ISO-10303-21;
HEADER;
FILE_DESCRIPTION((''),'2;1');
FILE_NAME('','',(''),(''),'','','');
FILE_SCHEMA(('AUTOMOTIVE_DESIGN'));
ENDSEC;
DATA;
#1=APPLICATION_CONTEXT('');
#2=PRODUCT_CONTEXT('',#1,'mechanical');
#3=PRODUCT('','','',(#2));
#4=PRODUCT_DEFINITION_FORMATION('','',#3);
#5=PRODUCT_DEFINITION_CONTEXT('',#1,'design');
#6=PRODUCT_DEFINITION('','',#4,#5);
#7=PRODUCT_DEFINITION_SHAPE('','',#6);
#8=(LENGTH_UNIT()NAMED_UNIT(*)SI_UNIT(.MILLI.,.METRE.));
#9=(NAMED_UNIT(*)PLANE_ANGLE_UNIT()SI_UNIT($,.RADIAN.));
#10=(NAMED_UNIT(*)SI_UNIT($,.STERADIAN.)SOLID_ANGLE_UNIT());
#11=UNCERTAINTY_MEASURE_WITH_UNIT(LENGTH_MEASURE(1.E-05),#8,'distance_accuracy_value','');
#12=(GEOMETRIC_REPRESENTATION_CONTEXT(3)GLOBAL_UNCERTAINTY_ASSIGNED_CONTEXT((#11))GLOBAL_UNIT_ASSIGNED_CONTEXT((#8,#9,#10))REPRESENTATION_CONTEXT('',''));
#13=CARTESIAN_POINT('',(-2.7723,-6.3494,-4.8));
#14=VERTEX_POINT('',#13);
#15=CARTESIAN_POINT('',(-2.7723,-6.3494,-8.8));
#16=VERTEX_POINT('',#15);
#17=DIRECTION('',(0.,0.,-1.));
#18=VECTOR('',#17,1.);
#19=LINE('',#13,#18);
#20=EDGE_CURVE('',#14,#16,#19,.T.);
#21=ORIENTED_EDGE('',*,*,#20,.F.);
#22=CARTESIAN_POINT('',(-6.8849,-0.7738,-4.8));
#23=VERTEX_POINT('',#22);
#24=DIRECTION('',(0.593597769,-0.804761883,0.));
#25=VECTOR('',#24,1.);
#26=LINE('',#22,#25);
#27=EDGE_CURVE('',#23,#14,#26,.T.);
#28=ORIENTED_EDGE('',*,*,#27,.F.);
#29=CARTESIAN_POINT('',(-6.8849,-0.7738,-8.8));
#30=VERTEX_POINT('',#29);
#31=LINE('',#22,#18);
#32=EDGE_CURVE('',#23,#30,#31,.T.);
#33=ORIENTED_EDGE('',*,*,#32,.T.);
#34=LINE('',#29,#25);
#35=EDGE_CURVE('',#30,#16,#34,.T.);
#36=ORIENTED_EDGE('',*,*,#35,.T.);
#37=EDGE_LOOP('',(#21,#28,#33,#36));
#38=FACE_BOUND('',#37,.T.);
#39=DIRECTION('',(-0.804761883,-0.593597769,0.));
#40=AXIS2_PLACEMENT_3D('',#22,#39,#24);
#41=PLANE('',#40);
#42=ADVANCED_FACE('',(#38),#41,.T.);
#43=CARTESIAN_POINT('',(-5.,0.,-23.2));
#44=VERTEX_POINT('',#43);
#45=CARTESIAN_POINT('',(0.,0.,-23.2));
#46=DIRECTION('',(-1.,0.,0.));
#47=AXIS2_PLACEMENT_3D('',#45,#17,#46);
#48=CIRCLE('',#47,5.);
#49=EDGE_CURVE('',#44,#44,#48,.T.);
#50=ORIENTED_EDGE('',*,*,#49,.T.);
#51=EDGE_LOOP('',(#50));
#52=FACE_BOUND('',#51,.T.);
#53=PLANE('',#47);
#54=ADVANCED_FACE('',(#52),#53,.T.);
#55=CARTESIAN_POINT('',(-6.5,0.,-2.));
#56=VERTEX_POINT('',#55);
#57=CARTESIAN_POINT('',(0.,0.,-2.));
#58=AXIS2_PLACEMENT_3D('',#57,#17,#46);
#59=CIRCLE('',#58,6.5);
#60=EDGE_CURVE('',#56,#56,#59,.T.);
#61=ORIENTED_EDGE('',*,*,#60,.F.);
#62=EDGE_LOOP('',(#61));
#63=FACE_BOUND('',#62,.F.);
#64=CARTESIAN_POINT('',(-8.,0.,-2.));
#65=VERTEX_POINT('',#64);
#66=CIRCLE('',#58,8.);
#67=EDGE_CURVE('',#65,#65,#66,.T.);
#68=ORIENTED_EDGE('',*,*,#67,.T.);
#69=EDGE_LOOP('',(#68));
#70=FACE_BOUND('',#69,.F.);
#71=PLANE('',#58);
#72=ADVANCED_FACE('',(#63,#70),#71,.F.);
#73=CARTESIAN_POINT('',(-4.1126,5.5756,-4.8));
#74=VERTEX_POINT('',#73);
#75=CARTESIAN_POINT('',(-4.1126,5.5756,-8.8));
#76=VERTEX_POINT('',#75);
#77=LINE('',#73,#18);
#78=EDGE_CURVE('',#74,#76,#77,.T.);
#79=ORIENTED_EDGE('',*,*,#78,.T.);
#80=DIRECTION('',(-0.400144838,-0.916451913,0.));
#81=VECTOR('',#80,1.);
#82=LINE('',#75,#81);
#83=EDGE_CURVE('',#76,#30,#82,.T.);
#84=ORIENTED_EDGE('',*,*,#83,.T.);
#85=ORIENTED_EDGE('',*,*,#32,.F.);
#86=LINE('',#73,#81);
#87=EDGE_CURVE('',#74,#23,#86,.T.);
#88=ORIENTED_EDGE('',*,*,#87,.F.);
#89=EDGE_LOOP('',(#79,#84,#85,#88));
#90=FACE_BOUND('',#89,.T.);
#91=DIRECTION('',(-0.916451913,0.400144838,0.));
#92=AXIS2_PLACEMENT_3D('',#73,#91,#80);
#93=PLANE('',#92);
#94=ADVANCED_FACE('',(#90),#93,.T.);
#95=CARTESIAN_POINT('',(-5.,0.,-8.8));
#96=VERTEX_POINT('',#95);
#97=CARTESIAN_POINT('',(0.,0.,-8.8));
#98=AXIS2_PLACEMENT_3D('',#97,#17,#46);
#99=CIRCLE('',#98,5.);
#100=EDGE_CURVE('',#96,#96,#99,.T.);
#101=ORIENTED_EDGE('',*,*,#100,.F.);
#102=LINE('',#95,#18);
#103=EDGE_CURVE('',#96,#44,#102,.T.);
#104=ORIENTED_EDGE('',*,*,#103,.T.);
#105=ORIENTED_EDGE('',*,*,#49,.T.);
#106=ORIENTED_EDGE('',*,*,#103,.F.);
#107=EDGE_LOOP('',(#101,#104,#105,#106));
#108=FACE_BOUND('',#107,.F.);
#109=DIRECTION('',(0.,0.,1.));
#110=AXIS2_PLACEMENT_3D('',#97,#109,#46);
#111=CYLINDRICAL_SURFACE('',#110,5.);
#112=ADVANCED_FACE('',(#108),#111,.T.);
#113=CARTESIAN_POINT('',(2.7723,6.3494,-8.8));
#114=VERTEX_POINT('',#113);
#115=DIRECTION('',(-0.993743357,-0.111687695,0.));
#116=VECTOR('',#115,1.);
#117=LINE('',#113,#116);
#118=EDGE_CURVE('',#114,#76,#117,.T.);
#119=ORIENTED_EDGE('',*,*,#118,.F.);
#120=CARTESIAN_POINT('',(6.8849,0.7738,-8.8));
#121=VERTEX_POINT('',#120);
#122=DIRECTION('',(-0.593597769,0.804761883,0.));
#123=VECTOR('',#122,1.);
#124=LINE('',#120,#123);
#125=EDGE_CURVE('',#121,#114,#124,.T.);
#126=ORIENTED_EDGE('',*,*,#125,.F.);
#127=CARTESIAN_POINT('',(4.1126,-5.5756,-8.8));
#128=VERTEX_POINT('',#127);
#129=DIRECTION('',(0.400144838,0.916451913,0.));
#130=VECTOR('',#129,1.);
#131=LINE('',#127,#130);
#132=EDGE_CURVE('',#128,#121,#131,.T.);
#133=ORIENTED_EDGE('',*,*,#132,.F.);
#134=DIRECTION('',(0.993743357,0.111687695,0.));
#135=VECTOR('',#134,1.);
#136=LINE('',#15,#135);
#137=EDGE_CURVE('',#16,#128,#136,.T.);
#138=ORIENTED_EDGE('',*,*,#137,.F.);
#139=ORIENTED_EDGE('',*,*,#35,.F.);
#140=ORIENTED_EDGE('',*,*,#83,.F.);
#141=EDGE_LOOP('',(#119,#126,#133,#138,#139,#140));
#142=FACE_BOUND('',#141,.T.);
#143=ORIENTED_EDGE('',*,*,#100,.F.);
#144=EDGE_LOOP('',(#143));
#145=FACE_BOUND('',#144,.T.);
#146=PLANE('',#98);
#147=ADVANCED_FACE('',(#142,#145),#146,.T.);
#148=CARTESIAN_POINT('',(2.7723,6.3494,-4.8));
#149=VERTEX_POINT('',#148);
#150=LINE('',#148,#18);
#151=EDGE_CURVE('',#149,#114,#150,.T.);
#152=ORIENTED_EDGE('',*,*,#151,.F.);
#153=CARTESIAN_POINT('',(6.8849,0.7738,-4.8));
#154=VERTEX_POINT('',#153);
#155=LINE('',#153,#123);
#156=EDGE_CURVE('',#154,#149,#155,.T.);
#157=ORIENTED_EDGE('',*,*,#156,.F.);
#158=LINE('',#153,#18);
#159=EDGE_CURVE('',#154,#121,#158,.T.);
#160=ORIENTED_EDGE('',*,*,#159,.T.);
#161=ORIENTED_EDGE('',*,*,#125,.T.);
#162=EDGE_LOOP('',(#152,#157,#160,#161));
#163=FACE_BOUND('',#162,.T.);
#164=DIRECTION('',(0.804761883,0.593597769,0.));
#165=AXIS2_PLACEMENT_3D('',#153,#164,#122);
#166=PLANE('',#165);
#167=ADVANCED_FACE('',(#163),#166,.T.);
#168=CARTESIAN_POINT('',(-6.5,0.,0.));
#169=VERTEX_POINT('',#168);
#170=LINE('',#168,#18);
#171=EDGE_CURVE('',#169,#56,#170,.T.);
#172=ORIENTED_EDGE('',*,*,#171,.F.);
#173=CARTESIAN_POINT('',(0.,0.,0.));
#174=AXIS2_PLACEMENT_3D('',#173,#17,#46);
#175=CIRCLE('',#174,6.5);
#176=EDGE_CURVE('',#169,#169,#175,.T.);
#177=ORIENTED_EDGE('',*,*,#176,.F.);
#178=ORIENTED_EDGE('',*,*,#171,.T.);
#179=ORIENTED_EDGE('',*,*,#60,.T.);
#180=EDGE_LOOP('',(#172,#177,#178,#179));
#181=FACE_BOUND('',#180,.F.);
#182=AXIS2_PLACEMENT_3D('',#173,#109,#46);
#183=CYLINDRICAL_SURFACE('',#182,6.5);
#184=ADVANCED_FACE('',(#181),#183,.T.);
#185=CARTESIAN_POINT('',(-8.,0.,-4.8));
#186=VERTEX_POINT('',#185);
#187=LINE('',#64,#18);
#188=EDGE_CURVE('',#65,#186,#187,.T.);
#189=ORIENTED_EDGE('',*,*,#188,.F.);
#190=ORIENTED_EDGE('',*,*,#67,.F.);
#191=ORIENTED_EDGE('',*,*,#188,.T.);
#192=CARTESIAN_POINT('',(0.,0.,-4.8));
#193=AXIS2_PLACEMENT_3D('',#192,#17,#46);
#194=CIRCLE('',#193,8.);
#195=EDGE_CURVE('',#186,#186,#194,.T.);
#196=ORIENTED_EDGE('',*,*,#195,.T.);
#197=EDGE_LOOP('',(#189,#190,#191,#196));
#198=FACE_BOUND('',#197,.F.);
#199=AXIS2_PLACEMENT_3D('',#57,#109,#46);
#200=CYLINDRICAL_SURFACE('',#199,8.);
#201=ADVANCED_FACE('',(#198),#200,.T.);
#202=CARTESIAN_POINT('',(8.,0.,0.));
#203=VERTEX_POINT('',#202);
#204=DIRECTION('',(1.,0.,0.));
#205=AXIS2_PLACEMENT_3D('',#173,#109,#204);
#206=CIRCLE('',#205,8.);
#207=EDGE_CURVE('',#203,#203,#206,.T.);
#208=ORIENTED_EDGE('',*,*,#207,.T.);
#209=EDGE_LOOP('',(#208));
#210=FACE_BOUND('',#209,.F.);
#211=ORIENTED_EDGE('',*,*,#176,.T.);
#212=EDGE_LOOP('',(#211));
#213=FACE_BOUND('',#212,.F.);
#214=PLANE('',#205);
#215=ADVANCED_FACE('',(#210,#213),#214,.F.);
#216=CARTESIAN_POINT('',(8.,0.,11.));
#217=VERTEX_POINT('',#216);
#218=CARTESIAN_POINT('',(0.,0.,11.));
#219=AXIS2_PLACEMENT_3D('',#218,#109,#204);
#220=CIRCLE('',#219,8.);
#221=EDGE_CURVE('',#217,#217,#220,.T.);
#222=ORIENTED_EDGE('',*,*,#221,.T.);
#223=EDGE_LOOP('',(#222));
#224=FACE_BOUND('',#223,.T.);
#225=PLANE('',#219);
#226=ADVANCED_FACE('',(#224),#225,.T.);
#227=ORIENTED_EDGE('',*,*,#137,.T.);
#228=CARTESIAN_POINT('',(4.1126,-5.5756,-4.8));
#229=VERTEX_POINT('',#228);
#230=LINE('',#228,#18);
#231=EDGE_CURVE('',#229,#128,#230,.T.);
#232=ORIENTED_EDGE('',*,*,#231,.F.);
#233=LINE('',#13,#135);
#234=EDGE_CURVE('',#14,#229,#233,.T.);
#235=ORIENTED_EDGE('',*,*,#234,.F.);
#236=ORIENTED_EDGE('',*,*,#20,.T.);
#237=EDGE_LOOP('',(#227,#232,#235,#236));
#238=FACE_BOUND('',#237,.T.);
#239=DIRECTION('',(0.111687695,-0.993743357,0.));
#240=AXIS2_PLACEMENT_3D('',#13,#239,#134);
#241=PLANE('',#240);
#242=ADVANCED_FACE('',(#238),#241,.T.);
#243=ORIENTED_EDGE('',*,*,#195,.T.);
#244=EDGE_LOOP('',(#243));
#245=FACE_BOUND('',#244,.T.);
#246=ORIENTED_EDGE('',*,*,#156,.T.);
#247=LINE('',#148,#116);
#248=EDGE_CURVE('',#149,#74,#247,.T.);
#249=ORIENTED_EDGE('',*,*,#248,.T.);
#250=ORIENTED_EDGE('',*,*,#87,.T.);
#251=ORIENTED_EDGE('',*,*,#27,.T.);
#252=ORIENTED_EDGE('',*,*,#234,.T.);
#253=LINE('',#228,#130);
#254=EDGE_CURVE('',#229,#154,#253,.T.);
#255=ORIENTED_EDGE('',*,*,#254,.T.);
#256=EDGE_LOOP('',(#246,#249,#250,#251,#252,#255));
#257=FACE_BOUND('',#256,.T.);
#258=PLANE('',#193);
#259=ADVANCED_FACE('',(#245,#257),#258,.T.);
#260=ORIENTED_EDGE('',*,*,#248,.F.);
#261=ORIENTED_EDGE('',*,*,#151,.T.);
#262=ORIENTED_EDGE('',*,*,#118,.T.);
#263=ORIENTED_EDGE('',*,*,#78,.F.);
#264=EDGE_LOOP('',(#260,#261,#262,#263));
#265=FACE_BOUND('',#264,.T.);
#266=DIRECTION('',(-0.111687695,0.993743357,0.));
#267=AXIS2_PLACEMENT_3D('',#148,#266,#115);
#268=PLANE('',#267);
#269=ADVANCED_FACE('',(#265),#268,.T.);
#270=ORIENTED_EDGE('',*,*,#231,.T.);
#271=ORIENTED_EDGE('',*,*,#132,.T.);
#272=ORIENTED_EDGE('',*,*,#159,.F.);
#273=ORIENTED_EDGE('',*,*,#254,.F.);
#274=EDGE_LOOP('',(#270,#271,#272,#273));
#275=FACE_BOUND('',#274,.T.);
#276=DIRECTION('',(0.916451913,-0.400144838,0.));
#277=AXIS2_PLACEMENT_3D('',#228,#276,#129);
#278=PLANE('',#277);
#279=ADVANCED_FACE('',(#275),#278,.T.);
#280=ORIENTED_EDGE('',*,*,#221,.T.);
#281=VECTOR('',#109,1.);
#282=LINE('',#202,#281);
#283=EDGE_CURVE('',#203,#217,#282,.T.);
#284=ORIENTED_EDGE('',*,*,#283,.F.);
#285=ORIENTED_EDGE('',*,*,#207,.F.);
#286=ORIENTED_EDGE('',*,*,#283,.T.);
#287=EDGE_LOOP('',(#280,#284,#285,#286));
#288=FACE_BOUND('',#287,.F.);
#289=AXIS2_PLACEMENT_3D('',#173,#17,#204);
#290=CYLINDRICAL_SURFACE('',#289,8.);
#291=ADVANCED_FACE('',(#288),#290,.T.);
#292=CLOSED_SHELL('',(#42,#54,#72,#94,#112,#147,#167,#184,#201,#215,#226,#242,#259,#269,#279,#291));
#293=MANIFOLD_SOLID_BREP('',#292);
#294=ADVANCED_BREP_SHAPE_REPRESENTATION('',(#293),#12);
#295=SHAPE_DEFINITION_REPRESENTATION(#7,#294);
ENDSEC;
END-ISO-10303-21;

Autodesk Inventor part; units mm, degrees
ref_plane "YZ Plane" through (0, 0, 0) normal (1, 0, 0) x (0, 1, 0)
ref_plane "XZ Plane" through (0, 0, 0) normal (0, 1, 0) x (-1, 0, 0)
ref_plane "XY Plane" through (0, 0, 0) normal (0, 0, 1) x (1, 0, 0)
sketch "Sketch1" plane through (0, 0, 0) normal (0, 0, 1) x (1, 0, 0)
  circle A0 centre (0, 0) radius 8
  dimension "d0" = 16
extrude "Extrusion1" add sketch "Sketch1" along normal blind 11
sketch "Sketch2" plane through (0, 0, 0) normal (0, 0, -1) x (-1, 0, 0)
  circle A0 centre (0, 0) radius 6.5
  dimension "d3" = 13
extrude "Extrusion2" add sketch "Sketch2" along normal blind 2
sketch "Sketch3" plane through (0, 0, -2) normal (0, 0, -1) x (-1, 0, 0)
  circle A0 centre (0, 0) radius 8
  dimension "d6" = 16
extrude "Extrusion3" add sketch "Sketch3" along normal blind 2.8
sketch "Sketch4" plane through (0, 0, -4.8) normal (0, 0, -1) x (-1, 0, 0)
  line L0 (-2.7723, 6.3494) -> (4.1126, 5.5756)
  line L1 (4.1126, 5.5756) -> (6.8849, -0.7738)
  line L2 (6.8849, -0.7738) -> (2.7723, -6.3494)
  line L3 (2.7723, -6.3494) -> (-4.1126, -5.5756)
  line L4 (-4.1126, -5.5756) -> (-6.8849, 0.7738)
  line L5 (-6.8849, 0.7738) -> (-2.7723, 6.3494)
  point P0 (0, 0)
  point P1 (0, 0)
  dimension "d9" = 6
extrude "Extrusion4" add sketch "Sketch4" along normal blind 4
sketch "Sketch5" plane through (0, 0, -8.8) normal (0, 0, -1) x (-1, 0, 0)
  circle A0 centre (0, 0) radius 5
  dimension "d12" = 10
extrude "Extrusion5" add sketch "Sketch5" along normal blind 14.4
properties part number "HTC-30M_5x20mmFuse_Holder"
